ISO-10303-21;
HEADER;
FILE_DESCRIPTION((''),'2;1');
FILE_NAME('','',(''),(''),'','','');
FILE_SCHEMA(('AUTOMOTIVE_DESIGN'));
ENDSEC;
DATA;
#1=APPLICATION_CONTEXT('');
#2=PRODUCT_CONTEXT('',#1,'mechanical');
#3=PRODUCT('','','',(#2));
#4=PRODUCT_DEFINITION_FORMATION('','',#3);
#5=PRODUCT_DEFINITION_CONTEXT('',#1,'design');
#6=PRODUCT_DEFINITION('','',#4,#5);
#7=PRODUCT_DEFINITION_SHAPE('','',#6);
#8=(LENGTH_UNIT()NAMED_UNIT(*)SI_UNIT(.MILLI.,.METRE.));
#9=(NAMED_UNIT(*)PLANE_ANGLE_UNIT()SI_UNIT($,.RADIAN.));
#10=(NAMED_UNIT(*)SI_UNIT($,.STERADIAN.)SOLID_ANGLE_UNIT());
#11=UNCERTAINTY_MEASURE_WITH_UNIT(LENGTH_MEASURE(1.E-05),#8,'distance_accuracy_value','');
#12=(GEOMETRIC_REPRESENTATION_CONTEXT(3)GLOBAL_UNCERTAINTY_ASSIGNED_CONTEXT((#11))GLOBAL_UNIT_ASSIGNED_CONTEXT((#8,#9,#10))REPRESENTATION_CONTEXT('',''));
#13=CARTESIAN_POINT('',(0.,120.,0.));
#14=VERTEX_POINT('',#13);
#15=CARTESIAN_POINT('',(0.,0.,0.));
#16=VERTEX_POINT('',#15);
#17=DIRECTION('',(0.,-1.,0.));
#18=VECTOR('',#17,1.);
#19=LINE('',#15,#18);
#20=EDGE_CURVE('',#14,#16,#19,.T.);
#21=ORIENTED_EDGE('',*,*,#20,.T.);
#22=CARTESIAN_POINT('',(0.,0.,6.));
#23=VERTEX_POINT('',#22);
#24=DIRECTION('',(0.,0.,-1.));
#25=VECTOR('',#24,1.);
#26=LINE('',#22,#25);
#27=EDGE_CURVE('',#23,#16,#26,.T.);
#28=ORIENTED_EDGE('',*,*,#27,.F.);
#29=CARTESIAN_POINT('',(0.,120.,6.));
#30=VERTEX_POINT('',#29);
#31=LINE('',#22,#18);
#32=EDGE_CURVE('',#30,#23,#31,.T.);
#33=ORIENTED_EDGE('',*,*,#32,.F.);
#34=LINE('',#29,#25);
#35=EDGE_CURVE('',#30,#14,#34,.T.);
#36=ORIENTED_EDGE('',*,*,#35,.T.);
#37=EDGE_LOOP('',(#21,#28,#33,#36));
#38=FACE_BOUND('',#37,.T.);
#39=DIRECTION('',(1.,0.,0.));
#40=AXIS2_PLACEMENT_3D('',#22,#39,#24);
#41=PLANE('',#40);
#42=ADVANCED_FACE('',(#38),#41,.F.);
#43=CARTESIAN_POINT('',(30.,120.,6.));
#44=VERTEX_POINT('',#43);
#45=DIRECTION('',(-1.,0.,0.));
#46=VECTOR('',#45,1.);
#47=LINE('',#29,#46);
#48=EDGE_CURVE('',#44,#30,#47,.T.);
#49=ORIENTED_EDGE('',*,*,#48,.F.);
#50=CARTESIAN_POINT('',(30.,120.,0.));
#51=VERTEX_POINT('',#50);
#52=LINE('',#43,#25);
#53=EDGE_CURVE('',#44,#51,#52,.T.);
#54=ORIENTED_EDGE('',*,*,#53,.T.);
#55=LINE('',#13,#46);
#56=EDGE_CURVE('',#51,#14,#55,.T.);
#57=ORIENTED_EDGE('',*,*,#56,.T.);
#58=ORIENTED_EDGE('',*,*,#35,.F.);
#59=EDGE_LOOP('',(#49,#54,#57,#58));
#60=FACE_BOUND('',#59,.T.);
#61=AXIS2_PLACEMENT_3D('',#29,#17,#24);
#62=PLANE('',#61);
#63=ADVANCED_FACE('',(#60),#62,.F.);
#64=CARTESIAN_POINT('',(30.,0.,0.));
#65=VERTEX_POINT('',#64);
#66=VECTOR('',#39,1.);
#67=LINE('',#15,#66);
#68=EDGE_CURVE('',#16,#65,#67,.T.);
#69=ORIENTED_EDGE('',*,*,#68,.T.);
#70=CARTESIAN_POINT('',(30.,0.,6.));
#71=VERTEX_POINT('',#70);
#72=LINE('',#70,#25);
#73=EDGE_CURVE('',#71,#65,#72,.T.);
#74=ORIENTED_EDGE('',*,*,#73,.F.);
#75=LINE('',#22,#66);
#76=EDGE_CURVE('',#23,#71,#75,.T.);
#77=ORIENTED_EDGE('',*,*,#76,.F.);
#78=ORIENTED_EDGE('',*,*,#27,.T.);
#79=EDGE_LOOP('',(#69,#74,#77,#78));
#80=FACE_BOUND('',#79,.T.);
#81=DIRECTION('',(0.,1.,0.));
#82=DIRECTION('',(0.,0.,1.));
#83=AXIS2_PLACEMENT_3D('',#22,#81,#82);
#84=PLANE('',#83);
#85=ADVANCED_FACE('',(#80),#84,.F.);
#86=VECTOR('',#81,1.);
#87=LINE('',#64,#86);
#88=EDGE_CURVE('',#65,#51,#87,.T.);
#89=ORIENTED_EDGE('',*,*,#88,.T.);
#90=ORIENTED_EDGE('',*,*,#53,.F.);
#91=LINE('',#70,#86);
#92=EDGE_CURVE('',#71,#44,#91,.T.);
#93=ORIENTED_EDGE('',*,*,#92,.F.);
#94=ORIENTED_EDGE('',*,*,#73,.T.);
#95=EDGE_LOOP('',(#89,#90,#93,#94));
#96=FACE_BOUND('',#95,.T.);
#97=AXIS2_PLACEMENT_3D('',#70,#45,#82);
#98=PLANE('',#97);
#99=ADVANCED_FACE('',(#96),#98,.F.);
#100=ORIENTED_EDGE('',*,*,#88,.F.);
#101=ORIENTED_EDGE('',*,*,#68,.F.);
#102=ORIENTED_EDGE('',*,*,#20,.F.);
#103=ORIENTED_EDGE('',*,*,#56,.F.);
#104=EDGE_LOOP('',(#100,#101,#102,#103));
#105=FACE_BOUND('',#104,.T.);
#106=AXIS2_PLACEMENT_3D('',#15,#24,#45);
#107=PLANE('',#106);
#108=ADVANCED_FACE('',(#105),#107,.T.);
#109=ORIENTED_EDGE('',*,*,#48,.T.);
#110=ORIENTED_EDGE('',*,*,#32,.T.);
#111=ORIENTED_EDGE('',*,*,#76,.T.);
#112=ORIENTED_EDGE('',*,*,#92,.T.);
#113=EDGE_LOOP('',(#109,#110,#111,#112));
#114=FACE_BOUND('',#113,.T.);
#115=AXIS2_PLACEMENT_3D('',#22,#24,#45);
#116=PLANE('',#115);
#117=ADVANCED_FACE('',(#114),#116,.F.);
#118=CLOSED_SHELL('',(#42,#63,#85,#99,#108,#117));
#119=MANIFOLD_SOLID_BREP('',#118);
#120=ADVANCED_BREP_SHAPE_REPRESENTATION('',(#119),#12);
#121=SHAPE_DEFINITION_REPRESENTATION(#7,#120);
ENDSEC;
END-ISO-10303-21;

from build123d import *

# Parameters (mm, degrees)
ESBO_O1_W                = 30
ESBO_O1_H                = 120
RESSALTO_EXTRUS_O1_DEPTH = 6


with BuildPart() as part:
    # Esboço1 → Ressalto-extrusão1 (new body)
    with BuildSketch(Plane.XY):
        with Locations((15, 60)):
            Rectangle(ESBO_O1_W, ESBO_O1_H)
    extrude(amount=RESSALTO_EXTRUS_O1_DEPTH)


solid = part.part
